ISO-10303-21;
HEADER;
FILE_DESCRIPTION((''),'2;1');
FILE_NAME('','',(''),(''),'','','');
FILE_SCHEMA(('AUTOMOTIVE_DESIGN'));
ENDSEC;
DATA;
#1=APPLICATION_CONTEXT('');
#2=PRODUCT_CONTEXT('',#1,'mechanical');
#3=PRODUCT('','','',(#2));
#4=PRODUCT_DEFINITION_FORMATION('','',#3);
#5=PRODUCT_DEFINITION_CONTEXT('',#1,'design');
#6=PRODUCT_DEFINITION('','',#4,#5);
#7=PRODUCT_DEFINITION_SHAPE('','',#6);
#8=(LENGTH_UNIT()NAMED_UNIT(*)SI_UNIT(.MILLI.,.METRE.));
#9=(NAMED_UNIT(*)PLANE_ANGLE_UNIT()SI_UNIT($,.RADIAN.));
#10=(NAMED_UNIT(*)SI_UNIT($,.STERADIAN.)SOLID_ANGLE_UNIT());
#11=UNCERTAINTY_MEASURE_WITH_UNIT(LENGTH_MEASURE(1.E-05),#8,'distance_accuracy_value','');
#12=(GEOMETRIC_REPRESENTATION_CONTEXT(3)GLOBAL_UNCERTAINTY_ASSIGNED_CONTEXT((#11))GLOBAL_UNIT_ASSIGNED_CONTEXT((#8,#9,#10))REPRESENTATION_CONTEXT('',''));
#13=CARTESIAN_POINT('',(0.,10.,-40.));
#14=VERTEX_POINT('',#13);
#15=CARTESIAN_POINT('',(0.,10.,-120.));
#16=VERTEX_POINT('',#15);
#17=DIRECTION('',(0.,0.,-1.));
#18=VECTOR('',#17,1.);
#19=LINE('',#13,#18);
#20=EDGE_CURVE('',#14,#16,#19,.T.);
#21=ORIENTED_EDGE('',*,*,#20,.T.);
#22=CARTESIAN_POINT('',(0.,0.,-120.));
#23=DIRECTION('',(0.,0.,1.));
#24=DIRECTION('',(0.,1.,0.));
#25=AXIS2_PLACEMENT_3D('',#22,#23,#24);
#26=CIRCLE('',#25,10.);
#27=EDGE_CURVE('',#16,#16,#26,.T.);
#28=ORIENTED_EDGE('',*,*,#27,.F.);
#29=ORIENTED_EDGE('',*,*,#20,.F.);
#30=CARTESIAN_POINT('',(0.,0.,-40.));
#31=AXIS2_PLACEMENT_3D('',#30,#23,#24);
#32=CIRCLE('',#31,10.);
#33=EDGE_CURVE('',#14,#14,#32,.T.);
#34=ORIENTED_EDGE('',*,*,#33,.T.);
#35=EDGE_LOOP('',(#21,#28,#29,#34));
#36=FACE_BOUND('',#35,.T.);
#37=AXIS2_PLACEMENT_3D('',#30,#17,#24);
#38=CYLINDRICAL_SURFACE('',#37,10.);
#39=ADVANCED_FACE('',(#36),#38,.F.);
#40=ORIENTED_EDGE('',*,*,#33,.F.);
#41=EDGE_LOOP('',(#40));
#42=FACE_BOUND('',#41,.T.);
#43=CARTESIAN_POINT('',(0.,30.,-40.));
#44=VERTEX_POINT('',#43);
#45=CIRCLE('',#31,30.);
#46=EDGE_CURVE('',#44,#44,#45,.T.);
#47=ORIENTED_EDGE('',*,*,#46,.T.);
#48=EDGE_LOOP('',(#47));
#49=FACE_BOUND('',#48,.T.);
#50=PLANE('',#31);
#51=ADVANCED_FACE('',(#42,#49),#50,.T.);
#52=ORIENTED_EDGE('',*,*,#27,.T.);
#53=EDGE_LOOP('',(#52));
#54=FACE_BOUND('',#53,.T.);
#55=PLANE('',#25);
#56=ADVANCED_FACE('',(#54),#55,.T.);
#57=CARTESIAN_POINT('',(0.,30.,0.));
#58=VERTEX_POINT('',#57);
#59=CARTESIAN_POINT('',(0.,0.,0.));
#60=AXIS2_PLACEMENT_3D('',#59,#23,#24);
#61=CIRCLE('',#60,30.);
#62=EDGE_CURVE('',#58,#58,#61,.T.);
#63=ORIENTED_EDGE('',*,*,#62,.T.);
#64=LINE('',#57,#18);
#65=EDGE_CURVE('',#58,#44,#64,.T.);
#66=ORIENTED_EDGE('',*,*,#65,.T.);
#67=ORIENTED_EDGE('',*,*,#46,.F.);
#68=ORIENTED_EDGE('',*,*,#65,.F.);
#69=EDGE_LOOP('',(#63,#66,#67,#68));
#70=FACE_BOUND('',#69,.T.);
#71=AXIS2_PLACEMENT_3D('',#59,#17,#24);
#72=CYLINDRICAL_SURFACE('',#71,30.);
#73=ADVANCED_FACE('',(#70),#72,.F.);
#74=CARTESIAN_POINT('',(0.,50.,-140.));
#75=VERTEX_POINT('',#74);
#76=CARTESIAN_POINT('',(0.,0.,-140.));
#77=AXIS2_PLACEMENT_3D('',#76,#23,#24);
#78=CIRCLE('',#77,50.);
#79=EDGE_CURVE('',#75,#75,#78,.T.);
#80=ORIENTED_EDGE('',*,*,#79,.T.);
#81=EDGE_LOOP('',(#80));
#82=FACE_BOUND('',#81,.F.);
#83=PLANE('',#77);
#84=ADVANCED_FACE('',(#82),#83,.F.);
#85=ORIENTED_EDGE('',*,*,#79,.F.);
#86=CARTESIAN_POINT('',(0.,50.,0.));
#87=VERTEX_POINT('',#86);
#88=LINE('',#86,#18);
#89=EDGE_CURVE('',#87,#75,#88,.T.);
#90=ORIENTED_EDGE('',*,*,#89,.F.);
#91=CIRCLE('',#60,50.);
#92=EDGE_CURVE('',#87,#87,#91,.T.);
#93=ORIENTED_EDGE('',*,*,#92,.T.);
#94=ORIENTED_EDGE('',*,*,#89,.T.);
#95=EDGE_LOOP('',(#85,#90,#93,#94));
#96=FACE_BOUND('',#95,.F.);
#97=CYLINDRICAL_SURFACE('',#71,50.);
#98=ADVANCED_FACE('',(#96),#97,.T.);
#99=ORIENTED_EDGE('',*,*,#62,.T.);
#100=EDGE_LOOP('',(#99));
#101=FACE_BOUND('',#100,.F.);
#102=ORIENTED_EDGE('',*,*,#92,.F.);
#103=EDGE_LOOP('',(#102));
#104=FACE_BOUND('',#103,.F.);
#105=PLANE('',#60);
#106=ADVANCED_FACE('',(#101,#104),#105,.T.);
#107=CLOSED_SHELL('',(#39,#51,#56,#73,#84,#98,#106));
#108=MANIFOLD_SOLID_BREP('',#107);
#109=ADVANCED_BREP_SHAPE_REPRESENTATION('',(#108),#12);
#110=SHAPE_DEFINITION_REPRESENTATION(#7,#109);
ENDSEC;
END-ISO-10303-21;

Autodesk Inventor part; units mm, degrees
ref_plane "YZ Plane" through (0, 0, 0) normal (1, 0, 0) x (0, 1, 0)
ref_plane "XZ Plane" through (0, 0, 0) normal (0, 1, 0) x (-1, 0, 0)
ref_plane "XY Plane" through (0, 0, 0) normal (0, 0, 1) x (1, 0, 0)
sketch "草圖1" plane through (0, 0, 0) normal (1, 0, 0) x (0, 1, 0)
  line L0 (-10, 0) -> (60, 0) projected
  line L1 (0, -168) -> (0, 28) projected
  line L2 (0, 0) -> (50, 0)
  line L3 (50, 0) -> (50, -140)
  line L4 (50, -140) -> (0, -140)
  line L5 (0, -140) -> (0, 0)
  line L6 (0, 0) -> (30, 0)
  line L7 (30, 0) -> (30, -40)
  line L8 (30, -40) -> (0, -40)
  line L9 (0, -40) -> (0, 0)
  line L10 (0, -40) -> (10, -40)
  line L11 (10, -40) -> (10, -120)
  line L12 (10, -120) -> (0, -120)
  line L13 (0, -120) -> (0, -40)
  dimension "d0" = 50
  dimension "d1" = 140
  dimension "d2" = 40
  dimension "d3" = 120
  dimension "d4" = 30
  dimension "d5" = 10
revolve "迴轉1" add sketch "草圖1" angle 360 about axis through (0, 0, -140) along (0, 0, 1) contours L0 L3 L4 L1 L12 L11 L8 L7
properties part number "exercise1-2"
